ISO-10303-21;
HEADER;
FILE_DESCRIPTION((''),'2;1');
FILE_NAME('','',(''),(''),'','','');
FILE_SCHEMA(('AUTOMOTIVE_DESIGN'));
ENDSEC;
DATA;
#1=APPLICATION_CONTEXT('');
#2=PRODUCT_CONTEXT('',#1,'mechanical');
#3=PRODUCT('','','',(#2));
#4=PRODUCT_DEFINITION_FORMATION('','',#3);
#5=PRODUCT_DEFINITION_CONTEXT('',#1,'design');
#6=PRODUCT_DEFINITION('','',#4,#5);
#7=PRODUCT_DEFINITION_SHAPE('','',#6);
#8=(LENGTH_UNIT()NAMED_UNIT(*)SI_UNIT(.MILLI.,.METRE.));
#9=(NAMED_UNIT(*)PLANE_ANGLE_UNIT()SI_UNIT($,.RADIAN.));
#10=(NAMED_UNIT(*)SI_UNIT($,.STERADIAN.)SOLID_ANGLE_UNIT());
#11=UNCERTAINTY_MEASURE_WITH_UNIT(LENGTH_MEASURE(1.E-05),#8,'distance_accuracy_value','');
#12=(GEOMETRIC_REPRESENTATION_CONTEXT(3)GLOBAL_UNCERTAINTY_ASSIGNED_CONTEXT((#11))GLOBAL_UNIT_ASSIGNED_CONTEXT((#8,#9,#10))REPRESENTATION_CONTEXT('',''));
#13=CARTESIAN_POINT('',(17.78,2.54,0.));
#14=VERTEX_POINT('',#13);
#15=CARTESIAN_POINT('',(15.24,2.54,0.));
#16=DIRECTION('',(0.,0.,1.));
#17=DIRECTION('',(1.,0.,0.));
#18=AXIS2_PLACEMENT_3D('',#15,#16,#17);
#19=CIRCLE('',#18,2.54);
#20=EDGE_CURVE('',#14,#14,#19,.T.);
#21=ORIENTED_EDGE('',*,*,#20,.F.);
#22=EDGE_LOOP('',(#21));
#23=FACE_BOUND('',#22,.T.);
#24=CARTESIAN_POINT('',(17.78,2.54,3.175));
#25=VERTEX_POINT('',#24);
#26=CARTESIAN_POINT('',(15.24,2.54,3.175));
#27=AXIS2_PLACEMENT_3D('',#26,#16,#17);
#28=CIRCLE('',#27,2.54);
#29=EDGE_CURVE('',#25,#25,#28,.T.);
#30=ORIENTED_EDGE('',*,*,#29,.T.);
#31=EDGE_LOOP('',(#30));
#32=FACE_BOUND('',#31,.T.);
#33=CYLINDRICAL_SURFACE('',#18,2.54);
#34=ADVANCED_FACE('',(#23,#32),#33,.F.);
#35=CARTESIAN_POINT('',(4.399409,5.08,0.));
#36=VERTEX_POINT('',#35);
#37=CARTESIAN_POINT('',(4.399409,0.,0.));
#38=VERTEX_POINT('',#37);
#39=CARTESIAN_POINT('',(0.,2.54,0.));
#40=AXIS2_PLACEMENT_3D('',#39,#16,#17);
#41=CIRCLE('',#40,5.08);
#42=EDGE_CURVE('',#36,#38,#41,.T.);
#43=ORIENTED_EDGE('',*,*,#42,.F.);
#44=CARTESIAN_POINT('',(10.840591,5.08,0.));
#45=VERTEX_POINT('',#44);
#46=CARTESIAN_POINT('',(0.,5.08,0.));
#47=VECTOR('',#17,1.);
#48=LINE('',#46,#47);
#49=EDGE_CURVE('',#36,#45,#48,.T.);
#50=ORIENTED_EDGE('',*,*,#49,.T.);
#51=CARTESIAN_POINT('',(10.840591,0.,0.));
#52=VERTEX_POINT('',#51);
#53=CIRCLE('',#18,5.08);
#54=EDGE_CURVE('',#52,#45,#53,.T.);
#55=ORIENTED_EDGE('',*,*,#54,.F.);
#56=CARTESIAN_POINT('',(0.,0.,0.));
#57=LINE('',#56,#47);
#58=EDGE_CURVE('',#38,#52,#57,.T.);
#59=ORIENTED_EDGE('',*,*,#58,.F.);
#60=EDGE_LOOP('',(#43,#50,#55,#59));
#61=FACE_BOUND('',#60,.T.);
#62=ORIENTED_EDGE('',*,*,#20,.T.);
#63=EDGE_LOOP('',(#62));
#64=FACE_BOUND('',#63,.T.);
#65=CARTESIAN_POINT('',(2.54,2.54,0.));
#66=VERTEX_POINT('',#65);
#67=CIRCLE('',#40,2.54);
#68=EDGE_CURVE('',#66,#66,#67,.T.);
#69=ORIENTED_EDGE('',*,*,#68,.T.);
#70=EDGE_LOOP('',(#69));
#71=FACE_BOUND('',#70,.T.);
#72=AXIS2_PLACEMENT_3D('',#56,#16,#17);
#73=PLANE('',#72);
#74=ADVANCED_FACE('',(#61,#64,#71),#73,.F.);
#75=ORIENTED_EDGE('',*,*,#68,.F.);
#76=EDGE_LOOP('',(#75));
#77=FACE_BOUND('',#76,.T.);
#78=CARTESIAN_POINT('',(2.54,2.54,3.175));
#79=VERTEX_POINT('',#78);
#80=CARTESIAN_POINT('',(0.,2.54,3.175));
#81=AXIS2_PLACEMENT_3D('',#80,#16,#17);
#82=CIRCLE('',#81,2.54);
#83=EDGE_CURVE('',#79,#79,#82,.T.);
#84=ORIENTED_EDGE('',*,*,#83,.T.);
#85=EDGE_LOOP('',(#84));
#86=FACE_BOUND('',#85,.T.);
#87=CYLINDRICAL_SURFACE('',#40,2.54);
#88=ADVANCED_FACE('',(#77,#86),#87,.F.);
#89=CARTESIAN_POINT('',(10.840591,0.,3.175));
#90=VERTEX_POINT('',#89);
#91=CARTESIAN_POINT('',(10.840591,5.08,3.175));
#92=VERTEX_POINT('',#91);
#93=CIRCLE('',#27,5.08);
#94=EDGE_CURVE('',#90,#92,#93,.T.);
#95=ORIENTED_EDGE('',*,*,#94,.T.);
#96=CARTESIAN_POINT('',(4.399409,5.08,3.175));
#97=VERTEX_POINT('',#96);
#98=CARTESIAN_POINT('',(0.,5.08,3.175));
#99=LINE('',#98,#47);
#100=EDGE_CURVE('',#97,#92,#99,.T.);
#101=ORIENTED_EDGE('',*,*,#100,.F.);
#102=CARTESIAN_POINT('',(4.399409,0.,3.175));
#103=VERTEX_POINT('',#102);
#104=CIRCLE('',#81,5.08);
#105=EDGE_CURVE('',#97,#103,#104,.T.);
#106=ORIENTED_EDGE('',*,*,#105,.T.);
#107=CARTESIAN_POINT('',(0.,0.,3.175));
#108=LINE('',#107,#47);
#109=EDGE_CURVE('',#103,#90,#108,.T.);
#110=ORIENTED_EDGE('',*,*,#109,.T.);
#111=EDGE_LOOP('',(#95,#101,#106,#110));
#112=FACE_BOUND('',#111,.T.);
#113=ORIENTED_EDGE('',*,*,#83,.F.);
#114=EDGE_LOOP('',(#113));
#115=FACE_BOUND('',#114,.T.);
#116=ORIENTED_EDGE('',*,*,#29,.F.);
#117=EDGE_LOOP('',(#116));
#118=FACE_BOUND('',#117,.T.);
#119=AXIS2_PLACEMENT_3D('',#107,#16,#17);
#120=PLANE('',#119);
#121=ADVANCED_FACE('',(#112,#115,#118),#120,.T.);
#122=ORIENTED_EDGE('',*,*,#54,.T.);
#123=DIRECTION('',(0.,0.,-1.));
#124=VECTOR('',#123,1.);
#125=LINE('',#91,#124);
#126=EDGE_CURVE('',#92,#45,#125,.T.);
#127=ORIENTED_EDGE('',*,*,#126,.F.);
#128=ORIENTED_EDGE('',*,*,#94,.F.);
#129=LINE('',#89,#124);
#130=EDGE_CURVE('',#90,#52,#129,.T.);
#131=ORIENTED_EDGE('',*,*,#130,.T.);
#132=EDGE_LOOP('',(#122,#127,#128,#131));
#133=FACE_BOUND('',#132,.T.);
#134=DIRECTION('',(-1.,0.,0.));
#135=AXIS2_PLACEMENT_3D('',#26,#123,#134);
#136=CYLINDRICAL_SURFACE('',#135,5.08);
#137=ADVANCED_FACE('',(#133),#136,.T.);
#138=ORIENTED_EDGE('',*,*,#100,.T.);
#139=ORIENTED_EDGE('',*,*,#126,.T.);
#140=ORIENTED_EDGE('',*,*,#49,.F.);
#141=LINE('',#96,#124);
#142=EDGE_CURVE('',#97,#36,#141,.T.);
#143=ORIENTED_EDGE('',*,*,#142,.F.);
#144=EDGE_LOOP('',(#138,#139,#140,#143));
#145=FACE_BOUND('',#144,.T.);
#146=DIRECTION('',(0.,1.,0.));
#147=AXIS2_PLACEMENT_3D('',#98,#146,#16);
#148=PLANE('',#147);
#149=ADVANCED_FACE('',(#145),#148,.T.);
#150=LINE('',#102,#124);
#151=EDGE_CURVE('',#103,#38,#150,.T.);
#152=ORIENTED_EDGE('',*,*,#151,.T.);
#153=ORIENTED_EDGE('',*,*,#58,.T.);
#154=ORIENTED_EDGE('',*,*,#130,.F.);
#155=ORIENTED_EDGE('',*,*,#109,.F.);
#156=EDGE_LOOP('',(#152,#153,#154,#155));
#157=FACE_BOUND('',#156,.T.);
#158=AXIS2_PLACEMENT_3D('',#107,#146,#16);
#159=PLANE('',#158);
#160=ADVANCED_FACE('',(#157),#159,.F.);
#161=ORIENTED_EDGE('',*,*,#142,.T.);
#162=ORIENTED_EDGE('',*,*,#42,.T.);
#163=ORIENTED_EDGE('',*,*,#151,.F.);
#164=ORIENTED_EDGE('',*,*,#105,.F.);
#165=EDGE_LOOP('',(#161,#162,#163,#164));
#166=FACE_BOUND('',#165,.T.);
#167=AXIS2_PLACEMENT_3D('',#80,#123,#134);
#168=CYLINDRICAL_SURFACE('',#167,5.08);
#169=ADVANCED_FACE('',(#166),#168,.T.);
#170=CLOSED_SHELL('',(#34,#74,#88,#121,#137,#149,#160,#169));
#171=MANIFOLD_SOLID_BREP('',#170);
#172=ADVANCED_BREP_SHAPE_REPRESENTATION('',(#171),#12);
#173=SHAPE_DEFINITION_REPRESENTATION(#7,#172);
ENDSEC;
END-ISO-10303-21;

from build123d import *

# Parameters (mm, degrees)
BOSS_EXTRUDE1_DEPTH = 3.175
SKETCH2_R           = 2.54
CUT_EXTRUDE1_DEPTH  = 22.93279337


with BuildPart() as part:
    # Sketch1 → Boss-Extrude1 (new body)
    with BuildSketch(Plane.XY):
        with BuildLine():
            Line((0, 5.08), (0, 0))
            Line((0, 0), (4.399409051, 0))
            ThreePointArc((4.399409051, 0), (4.906903198, 1.225199251), (5.08, 2.54))
            ThreePointArc((5.08, 2.54), (4.906903198, 3.854800749), (4.399409051, 5.08))
            Line((4.399409051, 5.08), (0, 5.08))
        make_face()
        with BuildLine():
            Line((4.399409051, 0), (0, 0))
            Line((0, 0), (0, 5.08))
            Line((0, 5.08), (4.399409051, 5.08))
            ThreePointArc((4.399409051, 5.08), (-5.08, 2.54), (4.399409051, 0))
        make_face()
        with BuildLine():
            ThreePointArc((5.08, 2.54), (4.906903198, 1.225199251), (4.399409051, 0))
            Line((4.399409051, 0), (10.840590949, 0))
            ThreePointArc((10.840590949, 0), (10.16, 2.54), (10.840590949, 5.08))
            Line((10.840590949, 5.08), (4.399409051, 5.08))
            ThreePointArc((4.399409051, 5.08), (4.906903198, 3.854800749), (5.08, 2.54))
        make_face()
        with BuildLine():
            ThreePointArc((10.840590949, 5.08), (10.16, 2.54), (10.840590949, 0))
            Line((10.840590949, 0), (15.24, 0))
            Line((15.24, 0), (15.24, 5.08))
            Line((15.24, 5.08), (10.840590949, 5.08))
        make_face()
        with BuildLine():
            Line((15.24, 0), (10.840590949, 0))
            ThreePointArc((10.840590949, 0), (16.554800749, -2.366903198), (20.32, 2.54))
            ThreePointArc((20.32, 2.54), (16.554800749, 7.446903198), (10.840590949, 5.08))
            Line((10.840590949, 5.08), (15.24, 5.08))
            Line((15.24, 5.08), (15.24, 0))
        make_face()
    extrude(amount=BOSS_EXTRUDE1_DEPTH)

    # Sketch2 → Cut-Extrude1 (cut, through all)
    with BuildSketch(Plane.XY.offset(3.175)):
        with Locations((0, 2.54)):
            Circle(SKETCH2_R)
        with Locations((15.24, 2.54)):
            Circle(SKETCH2_R)
    extrude(amount=-CUT_EXTRUDE1_DEPTH, mode=Mode.SUBTRACT)


solid = part.part
